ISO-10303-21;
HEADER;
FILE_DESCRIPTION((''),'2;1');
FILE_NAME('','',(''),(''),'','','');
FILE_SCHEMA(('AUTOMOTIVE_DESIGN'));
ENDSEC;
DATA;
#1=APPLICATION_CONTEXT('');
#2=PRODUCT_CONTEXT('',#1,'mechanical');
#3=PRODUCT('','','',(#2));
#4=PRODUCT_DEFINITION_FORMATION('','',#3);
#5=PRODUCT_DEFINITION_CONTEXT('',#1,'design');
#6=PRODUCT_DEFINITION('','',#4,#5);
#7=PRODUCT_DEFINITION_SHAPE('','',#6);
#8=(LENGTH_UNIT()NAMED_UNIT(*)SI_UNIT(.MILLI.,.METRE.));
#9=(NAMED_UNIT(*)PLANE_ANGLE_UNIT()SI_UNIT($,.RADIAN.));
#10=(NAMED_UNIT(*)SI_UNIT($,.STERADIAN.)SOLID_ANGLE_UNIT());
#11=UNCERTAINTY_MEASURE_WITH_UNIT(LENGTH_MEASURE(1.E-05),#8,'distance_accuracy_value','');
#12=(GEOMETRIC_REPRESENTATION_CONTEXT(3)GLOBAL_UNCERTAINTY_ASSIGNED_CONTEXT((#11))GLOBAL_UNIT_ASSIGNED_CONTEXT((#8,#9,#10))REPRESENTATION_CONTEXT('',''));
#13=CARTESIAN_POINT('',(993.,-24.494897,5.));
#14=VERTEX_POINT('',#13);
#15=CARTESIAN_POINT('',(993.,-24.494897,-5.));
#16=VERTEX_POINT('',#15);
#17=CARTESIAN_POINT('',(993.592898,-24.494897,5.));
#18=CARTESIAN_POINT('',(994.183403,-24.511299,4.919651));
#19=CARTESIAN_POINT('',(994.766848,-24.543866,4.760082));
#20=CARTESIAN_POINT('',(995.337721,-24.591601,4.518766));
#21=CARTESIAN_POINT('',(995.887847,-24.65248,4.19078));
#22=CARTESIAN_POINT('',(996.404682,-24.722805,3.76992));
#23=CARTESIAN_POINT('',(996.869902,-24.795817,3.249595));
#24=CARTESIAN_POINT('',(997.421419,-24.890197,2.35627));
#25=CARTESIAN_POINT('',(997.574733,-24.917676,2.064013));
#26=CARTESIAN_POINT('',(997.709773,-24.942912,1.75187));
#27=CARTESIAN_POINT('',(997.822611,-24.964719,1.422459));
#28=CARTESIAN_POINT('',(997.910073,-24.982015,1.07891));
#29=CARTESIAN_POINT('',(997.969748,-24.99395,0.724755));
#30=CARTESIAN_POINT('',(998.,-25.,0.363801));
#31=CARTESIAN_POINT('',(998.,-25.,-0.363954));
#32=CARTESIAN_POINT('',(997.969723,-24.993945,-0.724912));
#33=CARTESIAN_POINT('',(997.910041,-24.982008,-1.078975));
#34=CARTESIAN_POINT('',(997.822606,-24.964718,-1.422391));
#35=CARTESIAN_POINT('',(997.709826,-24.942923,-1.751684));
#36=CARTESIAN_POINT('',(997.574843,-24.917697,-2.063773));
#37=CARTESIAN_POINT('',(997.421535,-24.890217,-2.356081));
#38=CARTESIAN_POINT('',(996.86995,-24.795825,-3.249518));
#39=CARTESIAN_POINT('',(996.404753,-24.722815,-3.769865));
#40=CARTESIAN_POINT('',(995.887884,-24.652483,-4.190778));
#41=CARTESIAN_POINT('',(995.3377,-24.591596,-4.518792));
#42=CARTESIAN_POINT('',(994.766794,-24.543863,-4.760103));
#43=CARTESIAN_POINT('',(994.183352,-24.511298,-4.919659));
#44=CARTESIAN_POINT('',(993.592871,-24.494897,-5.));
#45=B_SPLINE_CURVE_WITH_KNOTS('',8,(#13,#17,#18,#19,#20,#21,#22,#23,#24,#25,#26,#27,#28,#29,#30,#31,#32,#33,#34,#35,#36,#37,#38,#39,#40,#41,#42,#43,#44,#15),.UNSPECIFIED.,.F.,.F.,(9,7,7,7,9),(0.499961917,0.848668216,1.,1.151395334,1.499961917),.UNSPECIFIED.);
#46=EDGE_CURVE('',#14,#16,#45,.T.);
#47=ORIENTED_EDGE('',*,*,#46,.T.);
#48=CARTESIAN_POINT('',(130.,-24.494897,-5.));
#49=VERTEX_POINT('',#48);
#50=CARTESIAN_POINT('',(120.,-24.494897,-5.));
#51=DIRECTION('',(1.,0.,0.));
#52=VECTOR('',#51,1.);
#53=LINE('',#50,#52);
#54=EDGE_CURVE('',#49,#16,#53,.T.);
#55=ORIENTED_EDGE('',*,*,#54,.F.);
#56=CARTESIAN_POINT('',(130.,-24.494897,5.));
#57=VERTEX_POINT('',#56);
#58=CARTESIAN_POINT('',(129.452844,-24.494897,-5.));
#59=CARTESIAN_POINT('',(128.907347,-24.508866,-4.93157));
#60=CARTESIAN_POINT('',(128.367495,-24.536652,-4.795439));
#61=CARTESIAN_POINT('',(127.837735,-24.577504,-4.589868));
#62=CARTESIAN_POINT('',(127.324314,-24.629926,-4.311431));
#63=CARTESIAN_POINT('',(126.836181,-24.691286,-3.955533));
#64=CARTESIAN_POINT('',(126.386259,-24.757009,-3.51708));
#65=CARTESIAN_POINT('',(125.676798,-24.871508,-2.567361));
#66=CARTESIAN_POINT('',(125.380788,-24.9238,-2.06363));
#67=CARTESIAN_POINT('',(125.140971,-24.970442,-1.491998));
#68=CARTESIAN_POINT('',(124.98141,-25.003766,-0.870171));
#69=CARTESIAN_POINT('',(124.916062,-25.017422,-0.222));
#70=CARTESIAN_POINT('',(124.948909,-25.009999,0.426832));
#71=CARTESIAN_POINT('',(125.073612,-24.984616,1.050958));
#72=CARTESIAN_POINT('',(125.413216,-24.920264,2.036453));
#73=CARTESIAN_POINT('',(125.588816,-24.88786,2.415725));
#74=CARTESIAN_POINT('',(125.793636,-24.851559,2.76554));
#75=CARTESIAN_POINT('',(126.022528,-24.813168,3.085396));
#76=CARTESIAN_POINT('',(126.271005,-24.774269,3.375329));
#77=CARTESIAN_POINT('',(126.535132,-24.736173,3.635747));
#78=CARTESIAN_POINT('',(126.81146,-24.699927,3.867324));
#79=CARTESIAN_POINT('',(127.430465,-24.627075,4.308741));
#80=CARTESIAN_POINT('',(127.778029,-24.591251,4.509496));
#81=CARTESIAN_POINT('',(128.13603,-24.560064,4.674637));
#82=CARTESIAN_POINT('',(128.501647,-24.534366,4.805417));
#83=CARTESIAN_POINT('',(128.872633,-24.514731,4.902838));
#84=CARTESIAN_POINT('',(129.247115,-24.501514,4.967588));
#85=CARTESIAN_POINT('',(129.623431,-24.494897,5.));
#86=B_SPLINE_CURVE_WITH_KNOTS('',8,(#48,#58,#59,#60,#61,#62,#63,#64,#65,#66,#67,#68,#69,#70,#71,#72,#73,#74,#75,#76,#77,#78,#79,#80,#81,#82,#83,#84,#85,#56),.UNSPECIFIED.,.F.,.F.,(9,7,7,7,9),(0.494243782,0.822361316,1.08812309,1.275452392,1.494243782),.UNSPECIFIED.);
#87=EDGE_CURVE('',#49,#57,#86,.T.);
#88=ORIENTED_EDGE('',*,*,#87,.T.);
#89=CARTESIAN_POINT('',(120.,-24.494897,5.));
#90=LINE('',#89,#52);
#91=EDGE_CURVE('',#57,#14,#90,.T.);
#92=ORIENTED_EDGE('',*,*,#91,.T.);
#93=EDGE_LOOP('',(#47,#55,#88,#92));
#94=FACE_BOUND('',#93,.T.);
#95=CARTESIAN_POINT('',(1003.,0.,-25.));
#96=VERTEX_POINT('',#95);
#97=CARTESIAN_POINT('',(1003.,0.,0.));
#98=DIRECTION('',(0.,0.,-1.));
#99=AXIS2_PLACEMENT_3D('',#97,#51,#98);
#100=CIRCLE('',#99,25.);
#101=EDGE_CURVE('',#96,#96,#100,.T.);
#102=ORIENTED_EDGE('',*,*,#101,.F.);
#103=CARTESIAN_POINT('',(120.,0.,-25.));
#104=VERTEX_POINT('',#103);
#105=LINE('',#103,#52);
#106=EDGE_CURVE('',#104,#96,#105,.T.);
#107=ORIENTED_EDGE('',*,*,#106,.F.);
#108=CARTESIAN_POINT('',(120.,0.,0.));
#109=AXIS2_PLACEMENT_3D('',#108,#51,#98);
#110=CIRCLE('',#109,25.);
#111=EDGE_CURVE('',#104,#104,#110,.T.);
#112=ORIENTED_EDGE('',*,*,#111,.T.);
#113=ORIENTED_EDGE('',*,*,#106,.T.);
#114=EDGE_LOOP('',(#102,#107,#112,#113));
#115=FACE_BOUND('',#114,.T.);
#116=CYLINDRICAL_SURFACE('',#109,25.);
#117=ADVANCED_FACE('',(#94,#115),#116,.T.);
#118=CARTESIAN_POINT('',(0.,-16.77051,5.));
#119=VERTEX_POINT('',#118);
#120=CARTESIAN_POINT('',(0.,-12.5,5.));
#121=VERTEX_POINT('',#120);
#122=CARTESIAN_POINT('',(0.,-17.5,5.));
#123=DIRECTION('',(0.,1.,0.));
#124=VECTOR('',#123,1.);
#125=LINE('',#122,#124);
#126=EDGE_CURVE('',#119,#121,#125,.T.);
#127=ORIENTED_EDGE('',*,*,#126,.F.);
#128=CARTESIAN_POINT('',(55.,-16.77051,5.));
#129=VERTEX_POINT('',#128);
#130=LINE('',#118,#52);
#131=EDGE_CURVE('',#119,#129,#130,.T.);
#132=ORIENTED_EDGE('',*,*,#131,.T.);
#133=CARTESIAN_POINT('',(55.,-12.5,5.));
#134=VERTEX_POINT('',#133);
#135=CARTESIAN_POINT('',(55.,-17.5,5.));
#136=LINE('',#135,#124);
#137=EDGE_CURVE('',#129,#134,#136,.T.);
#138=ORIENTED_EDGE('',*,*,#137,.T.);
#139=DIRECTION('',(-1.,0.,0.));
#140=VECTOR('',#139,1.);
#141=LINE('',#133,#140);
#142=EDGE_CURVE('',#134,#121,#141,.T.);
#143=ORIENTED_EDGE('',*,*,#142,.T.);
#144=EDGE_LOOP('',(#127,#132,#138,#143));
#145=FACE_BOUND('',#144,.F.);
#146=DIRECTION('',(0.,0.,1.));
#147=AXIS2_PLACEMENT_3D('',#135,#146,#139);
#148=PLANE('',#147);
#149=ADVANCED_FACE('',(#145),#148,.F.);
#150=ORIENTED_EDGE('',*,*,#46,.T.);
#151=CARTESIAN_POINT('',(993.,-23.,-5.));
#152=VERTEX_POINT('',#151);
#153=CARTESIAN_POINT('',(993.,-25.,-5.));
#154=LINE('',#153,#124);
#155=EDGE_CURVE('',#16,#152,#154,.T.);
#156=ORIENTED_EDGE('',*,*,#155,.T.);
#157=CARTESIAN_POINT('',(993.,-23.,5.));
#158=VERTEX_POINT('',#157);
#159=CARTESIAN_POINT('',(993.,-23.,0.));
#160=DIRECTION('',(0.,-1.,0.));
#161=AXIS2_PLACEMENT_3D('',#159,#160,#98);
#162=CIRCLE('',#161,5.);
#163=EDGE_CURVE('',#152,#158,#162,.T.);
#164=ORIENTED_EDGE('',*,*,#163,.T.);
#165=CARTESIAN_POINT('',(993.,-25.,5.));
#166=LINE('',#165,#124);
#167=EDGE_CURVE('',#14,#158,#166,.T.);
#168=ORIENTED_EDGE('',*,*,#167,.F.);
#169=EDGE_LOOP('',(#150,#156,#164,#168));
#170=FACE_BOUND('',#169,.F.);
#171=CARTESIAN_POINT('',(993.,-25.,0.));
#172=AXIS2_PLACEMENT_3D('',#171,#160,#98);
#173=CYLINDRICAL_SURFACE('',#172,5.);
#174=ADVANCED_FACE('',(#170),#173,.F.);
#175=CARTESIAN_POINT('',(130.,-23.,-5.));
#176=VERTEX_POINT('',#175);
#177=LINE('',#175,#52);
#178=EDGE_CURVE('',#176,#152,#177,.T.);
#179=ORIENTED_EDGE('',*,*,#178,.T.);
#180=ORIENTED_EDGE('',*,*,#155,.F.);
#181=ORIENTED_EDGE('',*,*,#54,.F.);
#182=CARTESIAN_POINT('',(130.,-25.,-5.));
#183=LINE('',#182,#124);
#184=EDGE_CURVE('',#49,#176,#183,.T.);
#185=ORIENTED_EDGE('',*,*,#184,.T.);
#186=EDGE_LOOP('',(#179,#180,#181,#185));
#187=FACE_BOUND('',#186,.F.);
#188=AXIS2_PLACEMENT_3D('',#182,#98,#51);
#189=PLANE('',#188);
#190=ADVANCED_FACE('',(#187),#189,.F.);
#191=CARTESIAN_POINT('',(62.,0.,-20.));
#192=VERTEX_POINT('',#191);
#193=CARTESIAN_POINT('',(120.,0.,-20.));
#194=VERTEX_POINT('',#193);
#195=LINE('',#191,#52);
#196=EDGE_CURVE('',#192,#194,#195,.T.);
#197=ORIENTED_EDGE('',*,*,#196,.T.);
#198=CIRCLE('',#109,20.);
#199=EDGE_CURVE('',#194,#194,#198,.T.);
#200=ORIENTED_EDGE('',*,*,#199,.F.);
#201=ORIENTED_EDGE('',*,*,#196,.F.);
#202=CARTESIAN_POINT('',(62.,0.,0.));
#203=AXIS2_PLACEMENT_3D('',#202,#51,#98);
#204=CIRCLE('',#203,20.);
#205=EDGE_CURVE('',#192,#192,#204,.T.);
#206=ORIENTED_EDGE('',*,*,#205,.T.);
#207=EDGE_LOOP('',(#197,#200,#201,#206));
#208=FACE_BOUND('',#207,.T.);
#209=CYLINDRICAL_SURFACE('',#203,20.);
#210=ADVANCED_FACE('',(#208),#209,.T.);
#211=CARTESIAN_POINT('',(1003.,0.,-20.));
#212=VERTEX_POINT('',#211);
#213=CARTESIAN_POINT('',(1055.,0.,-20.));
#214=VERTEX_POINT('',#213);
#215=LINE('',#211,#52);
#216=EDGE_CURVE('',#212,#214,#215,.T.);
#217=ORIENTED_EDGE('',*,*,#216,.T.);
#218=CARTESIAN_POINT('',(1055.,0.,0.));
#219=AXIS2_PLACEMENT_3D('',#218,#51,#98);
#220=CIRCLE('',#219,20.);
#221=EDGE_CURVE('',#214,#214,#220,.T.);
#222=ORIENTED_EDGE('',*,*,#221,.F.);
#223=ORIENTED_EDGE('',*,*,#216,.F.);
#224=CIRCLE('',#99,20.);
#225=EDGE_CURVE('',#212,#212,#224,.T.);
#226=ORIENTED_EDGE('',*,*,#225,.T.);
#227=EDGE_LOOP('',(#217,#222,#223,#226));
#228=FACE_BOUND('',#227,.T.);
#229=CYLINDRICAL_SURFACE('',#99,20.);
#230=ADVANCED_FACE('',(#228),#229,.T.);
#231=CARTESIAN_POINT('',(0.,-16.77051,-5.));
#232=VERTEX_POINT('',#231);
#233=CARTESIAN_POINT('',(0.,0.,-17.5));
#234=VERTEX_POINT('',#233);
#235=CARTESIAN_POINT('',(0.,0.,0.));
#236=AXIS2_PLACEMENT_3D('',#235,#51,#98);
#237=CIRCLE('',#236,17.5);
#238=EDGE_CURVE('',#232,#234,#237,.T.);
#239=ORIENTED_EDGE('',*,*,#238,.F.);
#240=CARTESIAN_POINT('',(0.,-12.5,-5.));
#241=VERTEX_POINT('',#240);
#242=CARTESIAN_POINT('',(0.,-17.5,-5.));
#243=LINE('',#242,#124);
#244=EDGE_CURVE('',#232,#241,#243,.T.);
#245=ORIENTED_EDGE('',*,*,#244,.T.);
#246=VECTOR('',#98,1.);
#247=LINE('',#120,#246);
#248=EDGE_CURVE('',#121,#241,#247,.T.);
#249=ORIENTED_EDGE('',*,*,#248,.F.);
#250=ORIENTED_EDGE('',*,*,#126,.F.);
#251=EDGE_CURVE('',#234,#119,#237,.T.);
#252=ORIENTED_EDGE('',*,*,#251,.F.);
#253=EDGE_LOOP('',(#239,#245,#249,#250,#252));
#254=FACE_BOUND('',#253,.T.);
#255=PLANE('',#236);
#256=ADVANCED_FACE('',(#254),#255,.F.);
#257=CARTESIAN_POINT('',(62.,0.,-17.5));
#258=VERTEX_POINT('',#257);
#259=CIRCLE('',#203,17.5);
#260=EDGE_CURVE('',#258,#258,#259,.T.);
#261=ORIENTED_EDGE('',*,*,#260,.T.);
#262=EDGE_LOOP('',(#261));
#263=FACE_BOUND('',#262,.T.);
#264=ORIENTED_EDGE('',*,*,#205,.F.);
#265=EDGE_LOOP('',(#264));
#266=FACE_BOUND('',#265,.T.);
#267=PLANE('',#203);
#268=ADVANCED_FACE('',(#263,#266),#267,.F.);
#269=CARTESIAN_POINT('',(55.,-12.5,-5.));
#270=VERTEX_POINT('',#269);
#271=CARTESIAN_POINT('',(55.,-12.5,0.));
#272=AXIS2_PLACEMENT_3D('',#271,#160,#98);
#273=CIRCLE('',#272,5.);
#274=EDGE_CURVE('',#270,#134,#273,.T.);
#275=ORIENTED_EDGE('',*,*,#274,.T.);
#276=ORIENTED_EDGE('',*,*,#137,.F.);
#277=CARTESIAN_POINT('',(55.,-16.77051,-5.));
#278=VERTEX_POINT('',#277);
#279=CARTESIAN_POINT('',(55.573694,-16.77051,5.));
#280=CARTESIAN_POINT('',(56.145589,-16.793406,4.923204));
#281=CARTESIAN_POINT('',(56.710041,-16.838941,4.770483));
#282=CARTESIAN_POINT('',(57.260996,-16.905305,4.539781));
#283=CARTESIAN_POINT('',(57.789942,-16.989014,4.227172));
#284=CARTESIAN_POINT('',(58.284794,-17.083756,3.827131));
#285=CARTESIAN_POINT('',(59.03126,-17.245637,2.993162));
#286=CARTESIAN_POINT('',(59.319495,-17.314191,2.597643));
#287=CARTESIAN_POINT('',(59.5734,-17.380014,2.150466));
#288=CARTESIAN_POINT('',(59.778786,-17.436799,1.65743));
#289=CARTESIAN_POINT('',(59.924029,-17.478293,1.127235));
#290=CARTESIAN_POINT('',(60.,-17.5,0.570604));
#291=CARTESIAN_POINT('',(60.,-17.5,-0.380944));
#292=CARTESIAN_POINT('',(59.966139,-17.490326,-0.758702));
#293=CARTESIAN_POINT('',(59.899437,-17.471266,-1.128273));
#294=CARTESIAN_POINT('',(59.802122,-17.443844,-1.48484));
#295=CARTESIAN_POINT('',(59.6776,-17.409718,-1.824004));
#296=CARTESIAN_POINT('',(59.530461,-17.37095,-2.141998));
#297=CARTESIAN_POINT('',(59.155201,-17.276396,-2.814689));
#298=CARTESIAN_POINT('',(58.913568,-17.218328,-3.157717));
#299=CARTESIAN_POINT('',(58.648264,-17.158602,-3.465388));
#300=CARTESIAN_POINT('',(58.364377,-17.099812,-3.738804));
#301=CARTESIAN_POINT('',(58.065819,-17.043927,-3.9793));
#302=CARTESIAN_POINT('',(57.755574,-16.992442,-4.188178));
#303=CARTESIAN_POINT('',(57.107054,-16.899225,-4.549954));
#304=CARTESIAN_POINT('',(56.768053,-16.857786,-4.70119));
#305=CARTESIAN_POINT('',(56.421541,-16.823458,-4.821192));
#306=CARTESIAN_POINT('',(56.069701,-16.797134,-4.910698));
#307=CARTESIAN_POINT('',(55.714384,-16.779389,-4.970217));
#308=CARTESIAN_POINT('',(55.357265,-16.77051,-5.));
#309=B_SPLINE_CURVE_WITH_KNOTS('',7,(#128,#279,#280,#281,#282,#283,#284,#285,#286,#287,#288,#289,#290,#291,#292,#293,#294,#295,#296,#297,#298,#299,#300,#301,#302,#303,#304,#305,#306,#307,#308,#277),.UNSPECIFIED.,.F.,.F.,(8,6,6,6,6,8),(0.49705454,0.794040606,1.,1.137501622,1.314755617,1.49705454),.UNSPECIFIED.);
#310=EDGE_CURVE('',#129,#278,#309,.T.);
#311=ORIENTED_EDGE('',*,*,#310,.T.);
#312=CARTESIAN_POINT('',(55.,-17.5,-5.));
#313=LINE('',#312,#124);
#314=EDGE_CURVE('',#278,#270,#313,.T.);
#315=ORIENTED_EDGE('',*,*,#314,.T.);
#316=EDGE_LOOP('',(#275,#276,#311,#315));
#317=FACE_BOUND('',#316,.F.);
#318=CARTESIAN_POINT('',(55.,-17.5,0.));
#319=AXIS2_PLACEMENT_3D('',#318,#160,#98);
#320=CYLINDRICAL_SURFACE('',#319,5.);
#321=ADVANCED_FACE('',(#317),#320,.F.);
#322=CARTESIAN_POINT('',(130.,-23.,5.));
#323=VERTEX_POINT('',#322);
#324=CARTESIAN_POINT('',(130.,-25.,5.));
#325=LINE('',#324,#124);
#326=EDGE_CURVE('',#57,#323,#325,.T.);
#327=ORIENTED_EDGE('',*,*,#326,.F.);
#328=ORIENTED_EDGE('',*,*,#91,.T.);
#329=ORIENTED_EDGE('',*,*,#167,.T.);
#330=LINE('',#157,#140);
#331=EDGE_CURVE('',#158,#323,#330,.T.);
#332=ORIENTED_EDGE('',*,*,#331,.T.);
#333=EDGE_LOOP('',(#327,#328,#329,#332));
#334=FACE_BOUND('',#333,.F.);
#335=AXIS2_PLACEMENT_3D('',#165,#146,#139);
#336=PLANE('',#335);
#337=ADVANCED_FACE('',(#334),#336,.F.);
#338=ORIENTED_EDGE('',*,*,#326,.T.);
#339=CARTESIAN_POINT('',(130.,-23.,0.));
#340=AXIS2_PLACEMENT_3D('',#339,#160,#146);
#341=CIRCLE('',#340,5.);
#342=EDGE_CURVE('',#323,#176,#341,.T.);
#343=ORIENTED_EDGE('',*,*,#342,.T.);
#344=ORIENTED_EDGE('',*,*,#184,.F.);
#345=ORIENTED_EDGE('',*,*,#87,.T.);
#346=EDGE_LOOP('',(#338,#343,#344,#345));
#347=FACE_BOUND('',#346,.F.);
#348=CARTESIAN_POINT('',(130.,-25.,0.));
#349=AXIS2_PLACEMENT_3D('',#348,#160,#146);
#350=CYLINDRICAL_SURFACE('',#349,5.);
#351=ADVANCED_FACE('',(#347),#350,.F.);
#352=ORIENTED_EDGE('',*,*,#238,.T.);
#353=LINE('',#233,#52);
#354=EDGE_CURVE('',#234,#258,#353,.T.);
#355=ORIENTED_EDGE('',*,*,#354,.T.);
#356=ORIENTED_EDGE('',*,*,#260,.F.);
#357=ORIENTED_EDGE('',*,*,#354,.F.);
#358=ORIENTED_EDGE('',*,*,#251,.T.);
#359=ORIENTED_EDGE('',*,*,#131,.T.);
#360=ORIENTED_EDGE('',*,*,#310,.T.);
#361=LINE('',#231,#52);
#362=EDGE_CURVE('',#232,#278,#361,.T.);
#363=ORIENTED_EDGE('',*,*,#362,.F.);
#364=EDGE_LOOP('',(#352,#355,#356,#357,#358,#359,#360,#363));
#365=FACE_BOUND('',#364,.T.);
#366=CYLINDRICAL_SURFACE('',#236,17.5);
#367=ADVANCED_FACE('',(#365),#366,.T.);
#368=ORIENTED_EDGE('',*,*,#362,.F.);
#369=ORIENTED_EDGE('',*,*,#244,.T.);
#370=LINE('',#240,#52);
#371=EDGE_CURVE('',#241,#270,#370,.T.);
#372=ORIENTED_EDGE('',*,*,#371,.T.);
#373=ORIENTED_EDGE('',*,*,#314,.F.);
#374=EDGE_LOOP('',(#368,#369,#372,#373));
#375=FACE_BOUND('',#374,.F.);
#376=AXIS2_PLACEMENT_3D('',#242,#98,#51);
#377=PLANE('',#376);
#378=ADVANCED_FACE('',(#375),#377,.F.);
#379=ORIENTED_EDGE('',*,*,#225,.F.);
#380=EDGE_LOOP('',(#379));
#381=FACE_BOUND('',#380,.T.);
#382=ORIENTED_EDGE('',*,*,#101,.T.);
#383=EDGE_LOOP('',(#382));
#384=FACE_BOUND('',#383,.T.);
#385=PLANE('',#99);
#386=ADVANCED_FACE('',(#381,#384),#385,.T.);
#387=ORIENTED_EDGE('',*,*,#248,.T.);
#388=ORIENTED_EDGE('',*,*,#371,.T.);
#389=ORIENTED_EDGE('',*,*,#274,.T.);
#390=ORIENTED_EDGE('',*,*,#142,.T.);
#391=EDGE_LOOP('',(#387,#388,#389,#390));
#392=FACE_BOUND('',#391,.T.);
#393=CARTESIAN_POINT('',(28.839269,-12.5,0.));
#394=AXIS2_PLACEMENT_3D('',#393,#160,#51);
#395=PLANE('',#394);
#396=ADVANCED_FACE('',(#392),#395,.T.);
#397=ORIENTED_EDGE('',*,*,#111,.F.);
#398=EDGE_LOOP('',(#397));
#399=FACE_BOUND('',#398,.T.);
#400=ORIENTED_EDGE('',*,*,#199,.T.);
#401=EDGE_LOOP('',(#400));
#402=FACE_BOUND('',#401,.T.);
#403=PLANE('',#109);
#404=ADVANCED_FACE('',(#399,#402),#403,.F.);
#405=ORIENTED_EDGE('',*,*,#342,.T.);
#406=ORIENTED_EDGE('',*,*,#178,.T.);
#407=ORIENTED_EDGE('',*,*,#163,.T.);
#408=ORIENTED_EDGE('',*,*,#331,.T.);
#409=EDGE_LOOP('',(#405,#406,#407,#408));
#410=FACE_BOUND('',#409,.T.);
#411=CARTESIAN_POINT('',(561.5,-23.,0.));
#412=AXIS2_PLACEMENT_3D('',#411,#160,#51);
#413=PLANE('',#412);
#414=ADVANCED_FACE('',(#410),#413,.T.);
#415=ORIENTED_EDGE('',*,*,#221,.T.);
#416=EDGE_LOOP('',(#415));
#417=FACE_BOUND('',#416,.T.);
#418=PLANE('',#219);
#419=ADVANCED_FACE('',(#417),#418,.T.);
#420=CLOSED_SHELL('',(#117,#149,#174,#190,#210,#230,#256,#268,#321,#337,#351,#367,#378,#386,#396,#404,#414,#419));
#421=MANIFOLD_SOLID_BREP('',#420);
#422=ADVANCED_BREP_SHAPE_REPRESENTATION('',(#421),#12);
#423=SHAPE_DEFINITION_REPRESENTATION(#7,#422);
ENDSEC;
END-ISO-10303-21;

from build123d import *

# Parameters (mm, degrees)
F5_DEPTH = 5
F7_DEPTH = 2


with BuildPart() as f3:
    # F2 (on Front) → F3 (revolve)
    with BuildSketch(Plane.XZ):
        Polygon((1055, 0), (0, 0), (0, -17.5), (62, -17.5), (62, -20), (120, -20), (120, -25), (1003, -25), (1003, -20), (1055, -20), align=None)
    revolve(axis=Axis((527.5, 0, 0), (1, 0, 0)))

    # F4 (on offset) → F5 (cut)
    with BuildSketch(Plane.XZ.offset(17.5)):
        with BuildLine():
            Line((55, 5), (0, 5))
            Line((0, 5), (0, -5))
            Line((0, -5), (55, -5))
            ThreePointArc((55, -5), (60, 0), (55, 5))
        make_face()
    extrude(amount=-F5_DEPTH, mode=Mode.SUBTRACT)

    # F6 (on offset) → F7 (cut)
    with BuildSketch(Plane.XZ.offset(25)):
        with BuildLine():
            Line((993, 5), (130, 5))
            ThreePointArc((130, 5), (125, 0), (130, -5))
            Line((130, -5), (993, -5))
            ThreePointArc((993, -5), (998, 0), (993, 5))
        make_face()
    extrude(amount=-F7_DEPTH, mode=Mode.SUBTRACT)


solid = f3.part
